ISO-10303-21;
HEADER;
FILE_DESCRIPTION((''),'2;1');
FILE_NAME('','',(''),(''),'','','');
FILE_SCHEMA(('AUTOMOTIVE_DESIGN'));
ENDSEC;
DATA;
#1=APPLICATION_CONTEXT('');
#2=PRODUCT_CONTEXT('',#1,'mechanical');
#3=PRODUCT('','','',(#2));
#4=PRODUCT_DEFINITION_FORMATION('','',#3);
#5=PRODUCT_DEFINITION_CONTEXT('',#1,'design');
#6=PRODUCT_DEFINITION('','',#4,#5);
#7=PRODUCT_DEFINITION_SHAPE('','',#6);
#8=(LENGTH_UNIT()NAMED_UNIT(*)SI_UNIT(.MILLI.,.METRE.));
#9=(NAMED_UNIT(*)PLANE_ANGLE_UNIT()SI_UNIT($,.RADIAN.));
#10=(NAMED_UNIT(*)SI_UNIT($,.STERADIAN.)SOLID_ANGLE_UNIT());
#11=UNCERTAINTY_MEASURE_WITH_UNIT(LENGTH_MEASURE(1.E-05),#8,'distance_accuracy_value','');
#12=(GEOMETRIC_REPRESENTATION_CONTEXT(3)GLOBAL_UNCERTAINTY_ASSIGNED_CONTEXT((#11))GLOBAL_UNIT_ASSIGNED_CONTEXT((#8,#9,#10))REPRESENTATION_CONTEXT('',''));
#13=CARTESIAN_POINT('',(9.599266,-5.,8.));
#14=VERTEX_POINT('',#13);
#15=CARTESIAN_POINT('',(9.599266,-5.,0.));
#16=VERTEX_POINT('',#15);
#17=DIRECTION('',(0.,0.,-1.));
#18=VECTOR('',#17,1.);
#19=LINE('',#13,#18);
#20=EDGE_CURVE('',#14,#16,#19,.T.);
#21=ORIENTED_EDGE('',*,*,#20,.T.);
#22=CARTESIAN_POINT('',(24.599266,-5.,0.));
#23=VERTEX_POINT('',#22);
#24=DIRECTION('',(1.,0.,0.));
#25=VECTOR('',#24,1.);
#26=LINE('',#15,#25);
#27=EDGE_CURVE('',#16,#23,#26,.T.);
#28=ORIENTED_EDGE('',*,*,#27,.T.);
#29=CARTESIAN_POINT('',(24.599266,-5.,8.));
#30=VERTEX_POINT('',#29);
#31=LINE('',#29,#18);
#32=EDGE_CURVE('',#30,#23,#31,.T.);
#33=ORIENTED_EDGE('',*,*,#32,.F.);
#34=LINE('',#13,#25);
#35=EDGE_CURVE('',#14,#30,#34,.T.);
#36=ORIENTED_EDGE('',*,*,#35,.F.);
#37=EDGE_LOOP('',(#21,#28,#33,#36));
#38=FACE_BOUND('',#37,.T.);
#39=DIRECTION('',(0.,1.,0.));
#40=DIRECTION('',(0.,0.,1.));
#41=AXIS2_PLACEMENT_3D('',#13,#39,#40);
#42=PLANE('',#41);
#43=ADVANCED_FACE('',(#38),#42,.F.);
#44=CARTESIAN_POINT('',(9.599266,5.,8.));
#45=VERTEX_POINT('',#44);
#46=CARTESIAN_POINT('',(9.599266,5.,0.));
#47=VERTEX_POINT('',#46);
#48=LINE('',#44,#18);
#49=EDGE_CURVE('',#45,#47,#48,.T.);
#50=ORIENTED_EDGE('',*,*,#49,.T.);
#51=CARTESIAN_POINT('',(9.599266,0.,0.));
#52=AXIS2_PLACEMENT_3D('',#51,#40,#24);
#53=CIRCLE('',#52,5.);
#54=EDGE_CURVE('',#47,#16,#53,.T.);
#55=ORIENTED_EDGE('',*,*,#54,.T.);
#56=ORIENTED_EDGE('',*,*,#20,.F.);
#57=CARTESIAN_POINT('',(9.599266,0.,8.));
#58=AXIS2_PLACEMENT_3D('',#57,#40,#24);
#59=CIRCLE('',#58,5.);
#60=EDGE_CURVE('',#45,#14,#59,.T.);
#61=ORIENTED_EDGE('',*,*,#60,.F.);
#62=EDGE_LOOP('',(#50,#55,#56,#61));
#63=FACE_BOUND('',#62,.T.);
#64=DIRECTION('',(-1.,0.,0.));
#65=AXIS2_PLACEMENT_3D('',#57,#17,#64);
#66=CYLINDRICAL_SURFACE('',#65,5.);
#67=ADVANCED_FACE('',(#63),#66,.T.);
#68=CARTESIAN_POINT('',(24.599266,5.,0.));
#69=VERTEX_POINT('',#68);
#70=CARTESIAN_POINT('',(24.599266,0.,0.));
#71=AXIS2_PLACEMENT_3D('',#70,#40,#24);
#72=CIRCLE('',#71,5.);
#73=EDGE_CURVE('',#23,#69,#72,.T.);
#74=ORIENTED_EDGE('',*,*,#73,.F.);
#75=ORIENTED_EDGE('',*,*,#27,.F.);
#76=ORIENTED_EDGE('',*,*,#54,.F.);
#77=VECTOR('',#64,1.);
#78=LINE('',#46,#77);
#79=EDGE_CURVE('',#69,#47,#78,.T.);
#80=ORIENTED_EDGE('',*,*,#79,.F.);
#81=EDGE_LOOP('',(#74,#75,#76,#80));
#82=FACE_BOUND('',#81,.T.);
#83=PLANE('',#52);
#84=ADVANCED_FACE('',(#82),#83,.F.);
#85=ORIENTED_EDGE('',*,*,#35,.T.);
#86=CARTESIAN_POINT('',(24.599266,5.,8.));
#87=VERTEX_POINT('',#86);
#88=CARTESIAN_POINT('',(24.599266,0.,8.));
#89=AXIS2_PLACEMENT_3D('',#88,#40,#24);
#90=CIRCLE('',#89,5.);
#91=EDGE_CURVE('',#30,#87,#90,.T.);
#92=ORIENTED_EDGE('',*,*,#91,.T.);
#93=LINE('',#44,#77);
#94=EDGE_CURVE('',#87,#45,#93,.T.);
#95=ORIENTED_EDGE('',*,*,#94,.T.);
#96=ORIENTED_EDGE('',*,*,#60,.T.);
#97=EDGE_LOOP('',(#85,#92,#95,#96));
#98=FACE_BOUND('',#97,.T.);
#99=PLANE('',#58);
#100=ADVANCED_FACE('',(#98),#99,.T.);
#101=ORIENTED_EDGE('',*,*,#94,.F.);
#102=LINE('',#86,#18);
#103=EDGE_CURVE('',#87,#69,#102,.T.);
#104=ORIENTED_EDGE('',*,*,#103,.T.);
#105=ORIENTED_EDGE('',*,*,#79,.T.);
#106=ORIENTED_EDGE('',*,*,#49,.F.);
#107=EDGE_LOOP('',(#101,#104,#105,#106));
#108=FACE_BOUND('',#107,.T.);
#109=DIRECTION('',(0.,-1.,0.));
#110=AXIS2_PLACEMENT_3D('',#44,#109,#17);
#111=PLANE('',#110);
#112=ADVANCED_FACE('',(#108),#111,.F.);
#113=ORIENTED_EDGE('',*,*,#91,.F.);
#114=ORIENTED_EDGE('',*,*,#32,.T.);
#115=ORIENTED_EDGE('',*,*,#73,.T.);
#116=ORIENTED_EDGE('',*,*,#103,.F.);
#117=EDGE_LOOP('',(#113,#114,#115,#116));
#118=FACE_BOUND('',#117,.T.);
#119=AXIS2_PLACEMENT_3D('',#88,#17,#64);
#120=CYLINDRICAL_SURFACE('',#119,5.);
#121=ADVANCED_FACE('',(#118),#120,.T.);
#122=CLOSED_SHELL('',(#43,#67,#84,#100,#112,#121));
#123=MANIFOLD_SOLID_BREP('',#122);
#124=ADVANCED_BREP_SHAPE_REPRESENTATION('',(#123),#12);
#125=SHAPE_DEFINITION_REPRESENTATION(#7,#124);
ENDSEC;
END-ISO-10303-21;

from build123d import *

# Parameters (mm, degrees)
ESTRUSIONE_ESTRUSIONE1_DEPTH = 8


with BuildPart() as part:
    # Schizzo1 → Estrusione-Estrusione1 (new body)
    with BuildSketch(Plane.XY):
        with BuildLine():
            Line((9.599265933, 5), (24.599265933, 5))
            ThreePointArc((24.599265933, 5), (29.599265933, 0), (24.599265933, -5))
            Line((24.599265933, -5), (9.599265933, -5))
            ThreePointArc((9.599265933, -5), (4.599265933, 0), (9.599265933, 5))
        make_face()
    extrude(amount=ESTRUSIONE_ESTRUSIONE1_DEPTH)


solid = part.part
